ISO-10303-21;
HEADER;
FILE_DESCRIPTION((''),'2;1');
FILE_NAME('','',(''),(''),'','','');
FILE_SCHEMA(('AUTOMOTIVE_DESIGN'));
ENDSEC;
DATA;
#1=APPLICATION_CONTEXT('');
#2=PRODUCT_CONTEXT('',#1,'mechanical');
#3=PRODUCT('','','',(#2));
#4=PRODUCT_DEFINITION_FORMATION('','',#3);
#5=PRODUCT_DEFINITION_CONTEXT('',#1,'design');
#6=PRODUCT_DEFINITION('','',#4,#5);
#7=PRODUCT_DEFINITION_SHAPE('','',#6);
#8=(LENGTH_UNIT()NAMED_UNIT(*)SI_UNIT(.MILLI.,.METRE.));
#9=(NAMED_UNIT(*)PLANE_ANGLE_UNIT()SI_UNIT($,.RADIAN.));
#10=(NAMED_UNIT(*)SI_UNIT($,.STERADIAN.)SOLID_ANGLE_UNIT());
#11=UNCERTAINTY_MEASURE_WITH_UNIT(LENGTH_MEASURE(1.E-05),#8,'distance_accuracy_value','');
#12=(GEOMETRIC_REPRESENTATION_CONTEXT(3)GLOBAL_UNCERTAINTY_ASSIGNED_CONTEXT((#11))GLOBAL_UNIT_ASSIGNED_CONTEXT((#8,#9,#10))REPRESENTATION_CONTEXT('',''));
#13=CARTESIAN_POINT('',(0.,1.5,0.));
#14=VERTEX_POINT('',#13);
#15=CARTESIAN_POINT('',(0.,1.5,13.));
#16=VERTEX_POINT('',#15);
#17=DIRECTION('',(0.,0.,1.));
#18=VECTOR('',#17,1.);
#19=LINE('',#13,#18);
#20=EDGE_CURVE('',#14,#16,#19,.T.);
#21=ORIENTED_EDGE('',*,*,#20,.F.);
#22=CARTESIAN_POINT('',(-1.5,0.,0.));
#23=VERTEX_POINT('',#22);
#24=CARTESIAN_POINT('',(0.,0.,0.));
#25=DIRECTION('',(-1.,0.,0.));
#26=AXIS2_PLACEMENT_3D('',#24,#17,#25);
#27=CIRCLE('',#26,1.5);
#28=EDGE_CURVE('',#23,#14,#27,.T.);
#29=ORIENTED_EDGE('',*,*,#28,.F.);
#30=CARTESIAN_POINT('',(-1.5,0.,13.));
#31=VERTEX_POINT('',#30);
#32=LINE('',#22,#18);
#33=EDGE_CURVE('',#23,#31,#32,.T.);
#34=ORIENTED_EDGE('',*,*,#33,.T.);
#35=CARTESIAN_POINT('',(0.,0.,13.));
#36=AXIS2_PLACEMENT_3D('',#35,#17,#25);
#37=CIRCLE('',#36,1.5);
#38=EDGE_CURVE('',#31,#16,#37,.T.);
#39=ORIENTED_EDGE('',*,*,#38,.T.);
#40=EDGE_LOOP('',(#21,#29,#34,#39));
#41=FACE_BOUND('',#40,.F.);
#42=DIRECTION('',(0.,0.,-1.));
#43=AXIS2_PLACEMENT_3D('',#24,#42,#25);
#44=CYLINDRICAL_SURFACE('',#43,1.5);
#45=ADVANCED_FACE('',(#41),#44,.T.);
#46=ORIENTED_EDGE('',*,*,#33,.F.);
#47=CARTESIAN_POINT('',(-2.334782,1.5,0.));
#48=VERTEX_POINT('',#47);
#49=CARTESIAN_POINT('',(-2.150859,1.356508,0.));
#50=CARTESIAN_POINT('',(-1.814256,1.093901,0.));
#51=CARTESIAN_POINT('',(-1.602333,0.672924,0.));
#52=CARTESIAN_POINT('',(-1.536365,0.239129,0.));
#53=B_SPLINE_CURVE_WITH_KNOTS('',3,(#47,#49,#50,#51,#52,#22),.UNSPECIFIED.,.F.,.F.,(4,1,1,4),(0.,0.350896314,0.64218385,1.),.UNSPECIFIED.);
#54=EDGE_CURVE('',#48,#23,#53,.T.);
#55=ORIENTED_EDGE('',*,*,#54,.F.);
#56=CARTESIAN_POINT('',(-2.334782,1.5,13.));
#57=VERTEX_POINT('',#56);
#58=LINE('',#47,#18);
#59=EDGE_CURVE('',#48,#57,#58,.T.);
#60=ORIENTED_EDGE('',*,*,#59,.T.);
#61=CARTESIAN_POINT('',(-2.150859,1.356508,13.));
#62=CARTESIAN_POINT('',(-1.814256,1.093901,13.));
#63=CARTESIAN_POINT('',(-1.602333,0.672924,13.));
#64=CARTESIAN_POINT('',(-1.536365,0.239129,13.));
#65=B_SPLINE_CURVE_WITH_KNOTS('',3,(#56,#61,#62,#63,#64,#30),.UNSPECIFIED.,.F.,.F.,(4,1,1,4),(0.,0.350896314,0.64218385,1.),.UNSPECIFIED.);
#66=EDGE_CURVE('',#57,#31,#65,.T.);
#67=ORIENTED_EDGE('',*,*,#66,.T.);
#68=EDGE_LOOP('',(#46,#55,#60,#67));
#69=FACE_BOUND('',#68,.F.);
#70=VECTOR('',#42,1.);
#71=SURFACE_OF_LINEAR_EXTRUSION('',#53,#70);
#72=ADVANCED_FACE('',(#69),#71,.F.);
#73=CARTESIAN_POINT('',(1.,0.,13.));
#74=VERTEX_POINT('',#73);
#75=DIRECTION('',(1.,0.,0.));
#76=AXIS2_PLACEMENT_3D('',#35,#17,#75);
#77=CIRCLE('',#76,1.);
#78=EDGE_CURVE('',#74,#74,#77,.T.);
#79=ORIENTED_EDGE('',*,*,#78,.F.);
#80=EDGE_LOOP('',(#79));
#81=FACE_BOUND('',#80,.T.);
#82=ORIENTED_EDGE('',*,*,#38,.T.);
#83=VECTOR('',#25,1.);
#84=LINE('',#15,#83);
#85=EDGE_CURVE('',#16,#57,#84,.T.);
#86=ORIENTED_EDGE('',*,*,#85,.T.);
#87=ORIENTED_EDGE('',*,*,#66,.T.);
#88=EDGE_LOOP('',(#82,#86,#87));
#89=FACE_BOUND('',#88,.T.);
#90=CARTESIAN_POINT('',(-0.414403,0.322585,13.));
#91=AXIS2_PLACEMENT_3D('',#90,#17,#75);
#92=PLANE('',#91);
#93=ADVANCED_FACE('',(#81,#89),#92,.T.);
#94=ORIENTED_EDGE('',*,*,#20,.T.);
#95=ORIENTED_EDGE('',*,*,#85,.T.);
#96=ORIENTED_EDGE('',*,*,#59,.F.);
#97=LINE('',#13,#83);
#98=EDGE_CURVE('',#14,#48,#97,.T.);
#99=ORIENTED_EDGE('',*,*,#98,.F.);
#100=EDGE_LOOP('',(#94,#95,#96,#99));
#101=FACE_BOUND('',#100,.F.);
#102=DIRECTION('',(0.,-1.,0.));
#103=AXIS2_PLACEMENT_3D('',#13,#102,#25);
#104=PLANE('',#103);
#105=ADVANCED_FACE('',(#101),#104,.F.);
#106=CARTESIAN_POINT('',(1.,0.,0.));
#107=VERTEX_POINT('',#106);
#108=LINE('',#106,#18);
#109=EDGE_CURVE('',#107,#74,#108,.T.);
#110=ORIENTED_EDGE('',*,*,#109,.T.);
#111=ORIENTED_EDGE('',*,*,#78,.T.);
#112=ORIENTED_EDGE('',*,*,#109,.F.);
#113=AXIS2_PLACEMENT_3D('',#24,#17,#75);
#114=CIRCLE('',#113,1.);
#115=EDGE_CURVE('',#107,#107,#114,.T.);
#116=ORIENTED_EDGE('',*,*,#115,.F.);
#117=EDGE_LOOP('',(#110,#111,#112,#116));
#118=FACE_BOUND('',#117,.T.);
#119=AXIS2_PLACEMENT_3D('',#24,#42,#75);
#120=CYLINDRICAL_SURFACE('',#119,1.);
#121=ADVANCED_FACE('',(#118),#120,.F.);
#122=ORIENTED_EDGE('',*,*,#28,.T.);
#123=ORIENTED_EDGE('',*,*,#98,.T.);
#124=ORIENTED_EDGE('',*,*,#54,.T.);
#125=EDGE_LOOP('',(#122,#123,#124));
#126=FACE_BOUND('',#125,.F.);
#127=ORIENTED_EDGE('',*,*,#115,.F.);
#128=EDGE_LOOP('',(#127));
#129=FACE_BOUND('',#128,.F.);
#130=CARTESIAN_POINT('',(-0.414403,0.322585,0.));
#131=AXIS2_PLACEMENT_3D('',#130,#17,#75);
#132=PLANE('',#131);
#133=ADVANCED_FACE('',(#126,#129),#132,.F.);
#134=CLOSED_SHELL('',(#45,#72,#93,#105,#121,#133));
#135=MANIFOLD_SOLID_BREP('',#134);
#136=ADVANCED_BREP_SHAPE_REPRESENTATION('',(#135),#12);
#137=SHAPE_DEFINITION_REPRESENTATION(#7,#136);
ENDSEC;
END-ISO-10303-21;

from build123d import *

# Parameters (mm, degrees)
F0_R     = 1
F1_DEPTH = 13


with BuildPart() as f1:
    # F0 (on Top) → F1 (new body)
    with BuildSketch(Plane.XY):
        with BuildLine():
            add(Edge.make_bspline(
                [(-2.3347819224, 1.5), (-2.1508585648, 1.3565082639), (-1.81425597, 1.0939005597), (-1.6023326906, 0.6729244892), (-1.536364652, 0.2391285198), (-1.5, 0)],
                knots=[0, 0, 0, 0, 0.3508963145, 0.6421838504, 1, 1, 1, 1], degree=3))
            ThreePointArc((-1.5, 0), (1.0606601718, -1.0606601718), (0, 1.5))
            Line((0, 1.5), (-2.3347819224, 1.5))
        make_face()
        Circle(F0_R, mode=Mode.SUBTRACT)
    extrude(amount=F1_DEPTH)


solid = f1.part
